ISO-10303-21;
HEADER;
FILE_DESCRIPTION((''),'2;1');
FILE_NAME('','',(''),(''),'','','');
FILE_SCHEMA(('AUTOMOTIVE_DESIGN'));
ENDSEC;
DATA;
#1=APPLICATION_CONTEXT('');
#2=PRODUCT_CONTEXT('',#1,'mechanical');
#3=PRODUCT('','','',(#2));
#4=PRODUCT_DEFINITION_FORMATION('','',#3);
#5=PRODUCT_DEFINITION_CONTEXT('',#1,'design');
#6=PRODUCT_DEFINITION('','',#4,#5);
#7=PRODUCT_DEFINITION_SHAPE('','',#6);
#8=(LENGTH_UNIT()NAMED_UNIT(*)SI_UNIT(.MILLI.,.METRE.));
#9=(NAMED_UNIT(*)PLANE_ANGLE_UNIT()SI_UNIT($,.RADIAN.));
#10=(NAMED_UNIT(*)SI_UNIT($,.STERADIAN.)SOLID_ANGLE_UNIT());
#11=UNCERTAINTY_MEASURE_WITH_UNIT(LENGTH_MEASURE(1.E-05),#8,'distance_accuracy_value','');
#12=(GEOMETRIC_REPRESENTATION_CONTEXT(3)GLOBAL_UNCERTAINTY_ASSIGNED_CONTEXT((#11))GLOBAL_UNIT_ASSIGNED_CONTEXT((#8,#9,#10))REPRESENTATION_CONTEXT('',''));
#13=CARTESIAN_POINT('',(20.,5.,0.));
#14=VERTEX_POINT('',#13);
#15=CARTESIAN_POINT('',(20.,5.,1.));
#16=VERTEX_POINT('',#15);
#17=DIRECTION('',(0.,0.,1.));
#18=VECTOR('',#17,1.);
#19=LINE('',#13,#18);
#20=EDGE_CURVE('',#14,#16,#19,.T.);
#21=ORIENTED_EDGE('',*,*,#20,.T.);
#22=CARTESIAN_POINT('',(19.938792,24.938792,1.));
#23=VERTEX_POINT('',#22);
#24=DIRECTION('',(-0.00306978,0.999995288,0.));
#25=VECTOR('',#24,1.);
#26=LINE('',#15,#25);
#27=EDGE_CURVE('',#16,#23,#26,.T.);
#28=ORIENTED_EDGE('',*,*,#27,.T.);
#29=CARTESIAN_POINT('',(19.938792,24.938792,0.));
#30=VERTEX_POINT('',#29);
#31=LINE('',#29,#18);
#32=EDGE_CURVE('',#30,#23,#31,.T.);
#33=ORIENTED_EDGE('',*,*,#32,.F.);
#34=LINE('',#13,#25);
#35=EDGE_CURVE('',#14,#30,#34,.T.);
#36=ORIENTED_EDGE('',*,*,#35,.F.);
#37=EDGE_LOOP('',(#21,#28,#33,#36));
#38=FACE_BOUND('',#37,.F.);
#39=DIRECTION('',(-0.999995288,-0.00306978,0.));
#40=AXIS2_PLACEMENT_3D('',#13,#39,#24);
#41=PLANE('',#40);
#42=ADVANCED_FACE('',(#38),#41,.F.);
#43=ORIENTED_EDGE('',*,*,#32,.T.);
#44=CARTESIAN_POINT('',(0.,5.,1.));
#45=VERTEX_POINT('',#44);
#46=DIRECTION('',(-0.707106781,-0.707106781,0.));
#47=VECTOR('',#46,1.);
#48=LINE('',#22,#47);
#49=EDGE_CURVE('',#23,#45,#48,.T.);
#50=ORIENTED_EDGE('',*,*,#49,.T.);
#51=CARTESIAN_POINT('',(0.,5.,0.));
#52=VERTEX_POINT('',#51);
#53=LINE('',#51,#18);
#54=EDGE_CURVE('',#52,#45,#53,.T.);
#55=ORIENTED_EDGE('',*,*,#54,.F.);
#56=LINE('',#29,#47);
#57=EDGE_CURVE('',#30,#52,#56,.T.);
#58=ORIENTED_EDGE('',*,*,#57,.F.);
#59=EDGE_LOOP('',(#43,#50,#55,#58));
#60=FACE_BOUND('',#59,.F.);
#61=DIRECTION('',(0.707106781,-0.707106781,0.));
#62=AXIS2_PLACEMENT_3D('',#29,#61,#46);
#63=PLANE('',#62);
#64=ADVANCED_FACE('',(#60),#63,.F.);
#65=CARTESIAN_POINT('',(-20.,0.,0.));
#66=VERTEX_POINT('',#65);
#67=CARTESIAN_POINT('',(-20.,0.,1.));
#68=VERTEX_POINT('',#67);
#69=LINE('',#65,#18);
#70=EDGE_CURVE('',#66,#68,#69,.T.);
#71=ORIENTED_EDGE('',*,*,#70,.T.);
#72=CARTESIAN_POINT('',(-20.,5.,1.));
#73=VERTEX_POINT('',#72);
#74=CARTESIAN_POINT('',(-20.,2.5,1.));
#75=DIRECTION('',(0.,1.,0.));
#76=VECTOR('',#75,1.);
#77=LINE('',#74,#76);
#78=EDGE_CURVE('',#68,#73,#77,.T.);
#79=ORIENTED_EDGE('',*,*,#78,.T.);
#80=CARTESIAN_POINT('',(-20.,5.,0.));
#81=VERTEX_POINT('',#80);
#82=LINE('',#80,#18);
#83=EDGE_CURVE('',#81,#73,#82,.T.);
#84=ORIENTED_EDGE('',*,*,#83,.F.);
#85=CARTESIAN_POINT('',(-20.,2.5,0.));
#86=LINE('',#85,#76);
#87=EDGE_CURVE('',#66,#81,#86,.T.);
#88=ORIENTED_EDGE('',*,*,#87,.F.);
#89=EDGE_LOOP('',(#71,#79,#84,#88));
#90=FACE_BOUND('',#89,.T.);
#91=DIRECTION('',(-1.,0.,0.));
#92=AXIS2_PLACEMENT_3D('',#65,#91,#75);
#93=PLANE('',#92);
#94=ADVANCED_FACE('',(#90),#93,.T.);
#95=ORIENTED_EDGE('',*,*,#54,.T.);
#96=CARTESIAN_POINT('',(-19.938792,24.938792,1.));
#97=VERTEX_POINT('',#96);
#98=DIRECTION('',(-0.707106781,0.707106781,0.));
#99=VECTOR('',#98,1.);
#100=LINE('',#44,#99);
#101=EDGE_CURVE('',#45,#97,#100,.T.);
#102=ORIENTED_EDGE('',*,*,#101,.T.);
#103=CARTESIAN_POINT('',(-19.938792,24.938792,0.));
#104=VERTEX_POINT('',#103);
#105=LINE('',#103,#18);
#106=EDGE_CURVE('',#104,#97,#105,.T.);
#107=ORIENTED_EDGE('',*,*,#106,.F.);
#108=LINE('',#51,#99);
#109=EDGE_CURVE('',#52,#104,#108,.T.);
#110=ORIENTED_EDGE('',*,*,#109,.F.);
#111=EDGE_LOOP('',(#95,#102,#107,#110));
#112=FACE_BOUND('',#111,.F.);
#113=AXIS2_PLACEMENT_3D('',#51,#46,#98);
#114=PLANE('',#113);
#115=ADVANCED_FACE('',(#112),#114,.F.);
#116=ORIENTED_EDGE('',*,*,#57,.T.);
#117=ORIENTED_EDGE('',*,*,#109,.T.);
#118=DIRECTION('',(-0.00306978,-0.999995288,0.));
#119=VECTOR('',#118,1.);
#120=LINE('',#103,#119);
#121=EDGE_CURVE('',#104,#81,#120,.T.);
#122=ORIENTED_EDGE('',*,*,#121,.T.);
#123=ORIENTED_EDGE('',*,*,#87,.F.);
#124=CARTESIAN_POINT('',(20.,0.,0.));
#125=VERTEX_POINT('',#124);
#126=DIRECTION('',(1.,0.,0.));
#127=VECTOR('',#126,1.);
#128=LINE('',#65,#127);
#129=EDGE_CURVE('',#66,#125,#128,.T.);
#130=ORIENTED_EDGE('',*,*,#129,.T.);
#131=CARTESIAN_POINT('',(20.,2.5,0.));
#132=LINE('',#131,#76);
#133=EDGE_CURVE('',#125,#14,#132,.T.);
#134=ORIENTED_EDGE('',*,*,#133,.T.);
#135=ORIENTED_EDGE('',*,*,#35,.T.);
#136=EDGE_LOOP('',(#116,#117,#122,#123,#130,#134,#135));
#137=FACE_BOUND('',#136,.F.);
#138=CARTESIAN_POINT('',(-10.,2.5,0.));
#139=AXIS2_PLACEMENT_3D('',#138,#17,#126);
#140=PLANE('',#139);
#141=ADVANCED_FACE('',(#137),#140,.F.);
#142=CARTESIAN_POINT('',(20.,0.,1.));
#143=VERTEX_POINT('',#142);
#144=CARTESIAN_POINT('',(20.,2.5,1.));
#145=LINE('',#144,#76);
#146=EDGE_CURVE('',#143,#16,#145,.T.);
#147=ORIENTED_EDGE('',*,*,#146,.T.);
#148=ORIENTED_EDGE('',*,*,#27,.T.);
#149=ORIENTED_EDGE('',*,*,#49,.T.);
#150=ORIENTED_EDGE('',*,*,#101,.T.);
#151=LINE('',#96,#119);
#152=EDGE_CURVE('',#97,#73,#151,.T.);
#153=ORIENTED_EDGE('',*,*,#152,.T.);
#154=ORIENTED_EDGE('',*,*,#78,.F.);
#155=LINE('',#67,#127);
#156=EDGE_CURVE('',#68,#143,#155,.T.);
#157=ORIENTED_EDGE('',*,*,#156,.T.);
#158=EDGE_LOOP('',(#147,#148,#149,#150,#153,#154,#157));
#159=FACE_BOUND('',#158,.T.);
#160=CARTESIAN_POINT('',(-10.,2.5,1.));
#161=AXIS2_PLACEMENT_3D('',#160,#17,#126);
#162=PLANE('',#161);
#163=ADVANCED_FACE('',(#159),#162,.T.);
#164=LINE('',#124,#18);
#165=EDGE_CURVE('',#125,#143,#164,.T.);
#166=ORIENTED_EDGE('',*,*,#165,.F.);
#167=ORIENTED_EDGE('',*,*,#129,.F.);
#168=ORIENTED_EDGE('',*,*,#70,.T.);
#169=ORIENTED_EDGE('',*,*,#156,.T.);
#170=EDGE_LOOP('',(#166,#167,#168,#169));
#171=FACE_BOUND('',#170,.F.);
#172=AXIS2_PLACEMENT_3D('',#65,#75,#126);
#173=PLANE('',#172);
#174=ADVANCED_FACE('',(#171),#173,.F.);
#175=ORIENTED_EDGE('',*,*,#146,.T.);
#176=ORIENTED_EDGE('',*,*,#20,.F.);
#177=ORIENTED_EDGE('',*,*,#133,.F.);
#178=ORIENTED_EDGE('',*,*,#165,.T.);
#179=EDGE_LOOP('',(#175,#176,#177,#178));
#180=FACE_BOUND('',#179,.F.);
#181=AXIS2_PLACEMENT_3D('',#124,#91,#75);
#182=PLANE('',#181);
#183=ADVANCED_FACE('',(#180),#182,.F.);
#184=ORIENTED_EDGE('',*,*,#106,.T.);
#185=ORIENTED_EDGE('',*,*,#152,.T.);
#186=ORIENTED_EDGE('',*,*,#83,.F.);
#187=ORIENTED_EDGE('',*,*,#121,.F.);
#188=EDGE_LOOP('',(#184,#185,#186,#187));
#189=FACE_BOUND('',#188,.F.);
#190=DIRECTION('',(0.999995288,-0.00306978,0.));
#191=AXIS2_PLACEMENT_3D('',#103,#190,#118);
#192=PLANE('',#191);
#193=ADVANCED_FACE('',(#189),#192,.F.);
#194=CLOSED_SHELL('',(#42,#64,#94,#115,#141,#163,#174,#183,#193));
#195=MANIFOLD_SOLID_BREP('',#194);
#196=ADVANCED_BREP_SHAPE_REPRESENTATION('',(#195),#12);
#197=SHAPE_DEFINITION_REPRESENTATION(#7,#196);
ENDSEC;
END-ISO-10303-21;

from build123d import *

# Parameters (mm, degrees)
F0_W     = 20
F0_H     = 5
F1_DEPTH = 1


with BuildPart() as f1:
    # F0 (on Top) → F1 (new body)
    with BuildSketch(Plane.XY):
        with Locations((-10, 2.5)):
            Rectangle(F0_W, F0_H)
        with Locations((10, 2.5)):
            Rectangle(F0_W, F0_H)
        Polygon((-20, 5), (0, 5), (-19.938792, 24.938792), align=None)
        Polygon((19.938792, 24.938792), (0, 5), (20, 5), align=None)
    extrude(amount=F1_DEPTH)


solid = f1.part
